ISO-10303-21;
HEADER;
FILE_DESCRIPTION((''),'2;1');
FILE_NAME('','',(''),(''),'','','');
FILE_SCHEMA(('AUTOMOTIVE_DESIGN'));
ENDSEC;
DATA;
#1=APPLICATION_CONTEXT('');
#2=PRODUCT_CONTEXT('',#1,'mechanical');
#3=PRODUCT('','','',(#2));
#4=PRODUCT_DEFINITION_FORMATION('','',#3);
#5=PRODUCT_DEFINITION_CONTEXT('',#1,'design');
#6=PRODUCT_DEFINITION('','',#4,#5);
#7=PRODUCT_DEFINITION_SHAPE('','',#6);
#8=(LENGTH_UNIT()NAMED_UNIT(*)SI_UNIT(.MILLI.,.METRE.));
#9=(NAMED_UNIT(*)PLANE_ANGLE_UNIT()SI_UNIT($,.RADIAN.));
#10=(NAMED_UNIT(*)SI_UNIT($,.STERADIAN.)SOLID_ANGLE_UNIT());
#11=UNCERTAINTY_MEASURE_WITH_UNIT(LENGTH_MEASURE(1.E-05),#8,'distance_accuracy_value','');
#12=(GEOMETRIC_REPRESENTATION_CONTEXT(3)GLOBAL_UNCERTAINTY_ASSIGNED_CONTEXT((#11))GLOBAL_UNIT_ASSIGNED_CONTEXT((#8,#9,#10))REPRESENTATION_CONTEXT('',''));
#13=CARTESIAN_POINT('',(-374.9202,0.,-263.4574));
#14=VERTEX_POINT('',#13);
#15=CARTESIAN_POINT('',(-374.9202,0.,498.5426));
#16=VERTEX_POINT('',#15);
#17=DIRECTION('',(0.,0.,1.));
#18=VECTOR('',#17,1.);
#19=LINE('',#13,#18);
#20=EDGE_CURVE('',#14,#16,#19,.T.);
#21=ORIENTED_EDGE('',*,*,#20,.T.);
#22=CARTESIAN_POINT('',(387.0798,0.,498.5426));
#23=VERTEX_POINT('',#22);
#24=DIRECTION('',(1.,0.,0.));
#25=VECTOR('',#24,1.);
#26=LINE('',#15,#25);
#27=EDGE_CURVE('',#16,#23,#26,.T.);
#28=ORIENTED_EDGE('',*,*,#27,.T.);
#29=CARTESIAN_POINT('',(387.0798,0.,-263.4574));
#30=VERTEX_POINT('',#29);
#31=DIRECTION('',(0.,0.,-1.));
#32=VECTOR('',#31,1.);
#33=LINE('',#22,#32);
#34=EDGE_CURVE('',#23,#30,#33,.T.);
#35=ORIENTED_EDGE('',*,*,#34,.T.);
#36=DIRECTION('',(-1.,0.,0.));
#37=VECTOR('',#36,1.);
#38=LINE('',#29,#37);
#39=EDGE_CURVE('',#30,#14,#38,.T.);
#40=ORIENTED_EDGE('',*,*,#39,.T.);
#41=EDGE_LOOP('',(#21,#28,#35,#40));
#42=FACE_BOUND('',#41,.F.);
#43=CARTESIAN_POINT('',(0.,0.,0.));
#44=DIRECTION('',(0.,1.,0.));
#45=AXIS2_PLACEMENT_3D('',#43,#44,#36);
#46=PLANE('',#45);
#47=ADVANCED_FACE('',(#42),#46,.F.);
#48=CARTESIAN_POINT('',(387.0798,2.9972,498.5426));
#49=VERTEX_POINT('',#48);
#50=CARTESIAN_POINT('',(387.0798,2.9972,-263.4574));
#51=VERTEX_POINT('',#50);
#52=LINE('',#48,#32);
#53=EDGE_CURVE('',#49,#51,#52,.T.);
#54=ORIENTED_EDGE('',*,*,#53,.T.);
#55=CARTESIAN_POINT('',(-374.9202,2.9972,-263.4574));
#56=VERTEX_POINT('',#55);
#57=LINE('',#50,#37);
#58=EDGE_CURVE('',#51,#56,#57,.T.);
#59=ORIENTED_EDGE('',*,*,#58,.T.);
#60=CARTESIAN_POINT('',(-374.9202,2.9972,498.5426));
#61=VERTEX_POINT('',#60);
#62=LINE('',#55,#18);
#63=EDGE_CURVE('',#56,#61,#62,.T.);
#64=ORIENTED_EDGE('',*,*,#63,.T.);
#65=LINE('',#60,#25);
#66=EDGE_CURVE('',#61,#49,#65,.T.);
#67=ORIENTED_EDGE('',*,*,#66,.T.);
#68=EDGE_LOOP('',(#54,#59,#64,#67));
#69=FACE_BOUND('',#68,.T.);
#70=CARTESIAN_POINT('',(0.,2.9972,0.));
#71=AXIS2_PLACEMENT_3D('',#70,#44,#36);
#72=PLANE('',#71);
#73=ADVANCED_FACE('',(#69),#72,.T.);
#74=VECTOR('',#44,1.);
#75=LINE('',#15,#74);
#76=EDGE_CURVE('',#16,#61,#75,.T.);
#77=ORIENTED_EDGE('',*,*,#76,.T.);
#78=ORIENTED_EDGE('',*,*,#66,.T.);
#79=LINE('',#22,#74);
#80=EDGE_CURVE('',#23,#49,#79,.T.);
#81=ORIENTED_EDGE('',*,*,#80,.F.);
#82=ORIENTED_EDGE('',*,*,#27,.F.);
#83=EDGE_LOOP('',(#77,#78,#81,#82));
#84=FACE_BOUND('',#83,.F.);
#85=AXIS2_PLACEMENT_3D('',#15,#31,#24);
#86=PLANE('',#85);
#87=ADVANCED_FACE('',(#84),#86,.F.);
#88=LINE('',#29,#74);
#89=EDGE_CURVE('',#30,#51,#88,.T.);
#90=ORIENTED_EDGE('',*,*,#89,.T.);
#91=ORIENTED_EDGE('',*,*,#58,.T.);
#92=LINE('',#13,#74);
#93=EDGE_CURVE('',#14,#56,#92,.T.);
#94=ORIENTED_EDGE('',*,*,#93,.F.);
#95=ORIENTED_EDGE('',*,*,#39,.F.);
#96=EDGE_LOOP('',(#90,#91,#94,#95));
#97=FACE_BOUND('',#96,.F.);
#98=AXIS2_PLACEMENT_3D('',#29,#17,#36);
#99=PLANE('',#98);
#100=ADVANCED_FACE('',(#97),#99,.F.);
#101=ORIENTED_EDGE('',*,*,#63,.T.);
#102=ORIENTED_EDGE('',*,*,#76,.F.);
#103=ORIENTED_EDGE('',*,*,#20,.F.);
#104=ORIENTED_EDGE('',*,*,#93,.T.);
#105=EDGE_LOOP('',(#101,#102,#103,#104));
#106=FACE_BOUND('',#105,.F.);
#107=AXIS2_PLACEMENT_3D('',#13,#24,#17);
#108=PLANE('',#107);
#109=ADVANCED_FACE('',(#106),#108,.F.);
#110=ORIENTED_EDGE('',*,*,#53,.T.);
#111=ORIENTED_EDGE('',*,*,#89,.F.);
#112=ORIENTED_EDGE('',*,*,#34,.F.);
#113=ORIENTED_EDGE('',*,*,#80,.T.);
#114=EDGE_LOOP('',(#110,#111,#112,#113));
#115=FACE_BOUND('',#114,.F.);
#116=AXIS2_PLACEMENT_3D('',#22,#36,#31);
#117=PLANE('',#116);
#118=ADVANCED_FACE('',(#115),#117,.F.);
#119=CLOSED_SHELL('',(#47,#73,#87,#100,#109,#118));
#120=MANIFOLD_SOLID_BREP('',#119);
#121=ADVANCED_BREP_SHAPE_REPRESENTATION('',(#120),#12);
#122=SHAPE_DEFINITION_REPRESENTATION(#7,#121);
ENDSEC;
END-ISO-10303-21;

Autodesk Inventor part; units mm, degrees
ref_plane "YZ Plane" through (0, 0, 0) normal (1, 0, 0) x (0, 1, 0)
ref_plane "XZ Plane" through (0, 0, 0) normal (0, 1, 0) x (-1, 0, 0)
ref_plane "XY Plane" through (0, 0, 0) normal (0, 0, 1) x (1, 0, 0)
sketch "Sketch1" plane through (0, 0, 0) normal (0, 1, 0) x (-1, 0, 0)
  line L0 (374.9202, 498.5426) -> (-387.0798, 498.5426)
  line L1 (-387.0798, 498.5426) -> (-387.0798, -263.4574)
  line L2 (-387.0798, -263.4574) -> (374.9202, -263.4574)
  line L3 (374.9202, -263.4574) -> (374.9202, 498.5426)
  point P0 (0, 0)
  dimension "d0" = 762
  dimension "d1" = 762
extrude "Extrusion1" add sketch "Sketch1" along normal blind 2.9972
properties part number "30x30in Lexan" material "Polycarbonate, Clear"
